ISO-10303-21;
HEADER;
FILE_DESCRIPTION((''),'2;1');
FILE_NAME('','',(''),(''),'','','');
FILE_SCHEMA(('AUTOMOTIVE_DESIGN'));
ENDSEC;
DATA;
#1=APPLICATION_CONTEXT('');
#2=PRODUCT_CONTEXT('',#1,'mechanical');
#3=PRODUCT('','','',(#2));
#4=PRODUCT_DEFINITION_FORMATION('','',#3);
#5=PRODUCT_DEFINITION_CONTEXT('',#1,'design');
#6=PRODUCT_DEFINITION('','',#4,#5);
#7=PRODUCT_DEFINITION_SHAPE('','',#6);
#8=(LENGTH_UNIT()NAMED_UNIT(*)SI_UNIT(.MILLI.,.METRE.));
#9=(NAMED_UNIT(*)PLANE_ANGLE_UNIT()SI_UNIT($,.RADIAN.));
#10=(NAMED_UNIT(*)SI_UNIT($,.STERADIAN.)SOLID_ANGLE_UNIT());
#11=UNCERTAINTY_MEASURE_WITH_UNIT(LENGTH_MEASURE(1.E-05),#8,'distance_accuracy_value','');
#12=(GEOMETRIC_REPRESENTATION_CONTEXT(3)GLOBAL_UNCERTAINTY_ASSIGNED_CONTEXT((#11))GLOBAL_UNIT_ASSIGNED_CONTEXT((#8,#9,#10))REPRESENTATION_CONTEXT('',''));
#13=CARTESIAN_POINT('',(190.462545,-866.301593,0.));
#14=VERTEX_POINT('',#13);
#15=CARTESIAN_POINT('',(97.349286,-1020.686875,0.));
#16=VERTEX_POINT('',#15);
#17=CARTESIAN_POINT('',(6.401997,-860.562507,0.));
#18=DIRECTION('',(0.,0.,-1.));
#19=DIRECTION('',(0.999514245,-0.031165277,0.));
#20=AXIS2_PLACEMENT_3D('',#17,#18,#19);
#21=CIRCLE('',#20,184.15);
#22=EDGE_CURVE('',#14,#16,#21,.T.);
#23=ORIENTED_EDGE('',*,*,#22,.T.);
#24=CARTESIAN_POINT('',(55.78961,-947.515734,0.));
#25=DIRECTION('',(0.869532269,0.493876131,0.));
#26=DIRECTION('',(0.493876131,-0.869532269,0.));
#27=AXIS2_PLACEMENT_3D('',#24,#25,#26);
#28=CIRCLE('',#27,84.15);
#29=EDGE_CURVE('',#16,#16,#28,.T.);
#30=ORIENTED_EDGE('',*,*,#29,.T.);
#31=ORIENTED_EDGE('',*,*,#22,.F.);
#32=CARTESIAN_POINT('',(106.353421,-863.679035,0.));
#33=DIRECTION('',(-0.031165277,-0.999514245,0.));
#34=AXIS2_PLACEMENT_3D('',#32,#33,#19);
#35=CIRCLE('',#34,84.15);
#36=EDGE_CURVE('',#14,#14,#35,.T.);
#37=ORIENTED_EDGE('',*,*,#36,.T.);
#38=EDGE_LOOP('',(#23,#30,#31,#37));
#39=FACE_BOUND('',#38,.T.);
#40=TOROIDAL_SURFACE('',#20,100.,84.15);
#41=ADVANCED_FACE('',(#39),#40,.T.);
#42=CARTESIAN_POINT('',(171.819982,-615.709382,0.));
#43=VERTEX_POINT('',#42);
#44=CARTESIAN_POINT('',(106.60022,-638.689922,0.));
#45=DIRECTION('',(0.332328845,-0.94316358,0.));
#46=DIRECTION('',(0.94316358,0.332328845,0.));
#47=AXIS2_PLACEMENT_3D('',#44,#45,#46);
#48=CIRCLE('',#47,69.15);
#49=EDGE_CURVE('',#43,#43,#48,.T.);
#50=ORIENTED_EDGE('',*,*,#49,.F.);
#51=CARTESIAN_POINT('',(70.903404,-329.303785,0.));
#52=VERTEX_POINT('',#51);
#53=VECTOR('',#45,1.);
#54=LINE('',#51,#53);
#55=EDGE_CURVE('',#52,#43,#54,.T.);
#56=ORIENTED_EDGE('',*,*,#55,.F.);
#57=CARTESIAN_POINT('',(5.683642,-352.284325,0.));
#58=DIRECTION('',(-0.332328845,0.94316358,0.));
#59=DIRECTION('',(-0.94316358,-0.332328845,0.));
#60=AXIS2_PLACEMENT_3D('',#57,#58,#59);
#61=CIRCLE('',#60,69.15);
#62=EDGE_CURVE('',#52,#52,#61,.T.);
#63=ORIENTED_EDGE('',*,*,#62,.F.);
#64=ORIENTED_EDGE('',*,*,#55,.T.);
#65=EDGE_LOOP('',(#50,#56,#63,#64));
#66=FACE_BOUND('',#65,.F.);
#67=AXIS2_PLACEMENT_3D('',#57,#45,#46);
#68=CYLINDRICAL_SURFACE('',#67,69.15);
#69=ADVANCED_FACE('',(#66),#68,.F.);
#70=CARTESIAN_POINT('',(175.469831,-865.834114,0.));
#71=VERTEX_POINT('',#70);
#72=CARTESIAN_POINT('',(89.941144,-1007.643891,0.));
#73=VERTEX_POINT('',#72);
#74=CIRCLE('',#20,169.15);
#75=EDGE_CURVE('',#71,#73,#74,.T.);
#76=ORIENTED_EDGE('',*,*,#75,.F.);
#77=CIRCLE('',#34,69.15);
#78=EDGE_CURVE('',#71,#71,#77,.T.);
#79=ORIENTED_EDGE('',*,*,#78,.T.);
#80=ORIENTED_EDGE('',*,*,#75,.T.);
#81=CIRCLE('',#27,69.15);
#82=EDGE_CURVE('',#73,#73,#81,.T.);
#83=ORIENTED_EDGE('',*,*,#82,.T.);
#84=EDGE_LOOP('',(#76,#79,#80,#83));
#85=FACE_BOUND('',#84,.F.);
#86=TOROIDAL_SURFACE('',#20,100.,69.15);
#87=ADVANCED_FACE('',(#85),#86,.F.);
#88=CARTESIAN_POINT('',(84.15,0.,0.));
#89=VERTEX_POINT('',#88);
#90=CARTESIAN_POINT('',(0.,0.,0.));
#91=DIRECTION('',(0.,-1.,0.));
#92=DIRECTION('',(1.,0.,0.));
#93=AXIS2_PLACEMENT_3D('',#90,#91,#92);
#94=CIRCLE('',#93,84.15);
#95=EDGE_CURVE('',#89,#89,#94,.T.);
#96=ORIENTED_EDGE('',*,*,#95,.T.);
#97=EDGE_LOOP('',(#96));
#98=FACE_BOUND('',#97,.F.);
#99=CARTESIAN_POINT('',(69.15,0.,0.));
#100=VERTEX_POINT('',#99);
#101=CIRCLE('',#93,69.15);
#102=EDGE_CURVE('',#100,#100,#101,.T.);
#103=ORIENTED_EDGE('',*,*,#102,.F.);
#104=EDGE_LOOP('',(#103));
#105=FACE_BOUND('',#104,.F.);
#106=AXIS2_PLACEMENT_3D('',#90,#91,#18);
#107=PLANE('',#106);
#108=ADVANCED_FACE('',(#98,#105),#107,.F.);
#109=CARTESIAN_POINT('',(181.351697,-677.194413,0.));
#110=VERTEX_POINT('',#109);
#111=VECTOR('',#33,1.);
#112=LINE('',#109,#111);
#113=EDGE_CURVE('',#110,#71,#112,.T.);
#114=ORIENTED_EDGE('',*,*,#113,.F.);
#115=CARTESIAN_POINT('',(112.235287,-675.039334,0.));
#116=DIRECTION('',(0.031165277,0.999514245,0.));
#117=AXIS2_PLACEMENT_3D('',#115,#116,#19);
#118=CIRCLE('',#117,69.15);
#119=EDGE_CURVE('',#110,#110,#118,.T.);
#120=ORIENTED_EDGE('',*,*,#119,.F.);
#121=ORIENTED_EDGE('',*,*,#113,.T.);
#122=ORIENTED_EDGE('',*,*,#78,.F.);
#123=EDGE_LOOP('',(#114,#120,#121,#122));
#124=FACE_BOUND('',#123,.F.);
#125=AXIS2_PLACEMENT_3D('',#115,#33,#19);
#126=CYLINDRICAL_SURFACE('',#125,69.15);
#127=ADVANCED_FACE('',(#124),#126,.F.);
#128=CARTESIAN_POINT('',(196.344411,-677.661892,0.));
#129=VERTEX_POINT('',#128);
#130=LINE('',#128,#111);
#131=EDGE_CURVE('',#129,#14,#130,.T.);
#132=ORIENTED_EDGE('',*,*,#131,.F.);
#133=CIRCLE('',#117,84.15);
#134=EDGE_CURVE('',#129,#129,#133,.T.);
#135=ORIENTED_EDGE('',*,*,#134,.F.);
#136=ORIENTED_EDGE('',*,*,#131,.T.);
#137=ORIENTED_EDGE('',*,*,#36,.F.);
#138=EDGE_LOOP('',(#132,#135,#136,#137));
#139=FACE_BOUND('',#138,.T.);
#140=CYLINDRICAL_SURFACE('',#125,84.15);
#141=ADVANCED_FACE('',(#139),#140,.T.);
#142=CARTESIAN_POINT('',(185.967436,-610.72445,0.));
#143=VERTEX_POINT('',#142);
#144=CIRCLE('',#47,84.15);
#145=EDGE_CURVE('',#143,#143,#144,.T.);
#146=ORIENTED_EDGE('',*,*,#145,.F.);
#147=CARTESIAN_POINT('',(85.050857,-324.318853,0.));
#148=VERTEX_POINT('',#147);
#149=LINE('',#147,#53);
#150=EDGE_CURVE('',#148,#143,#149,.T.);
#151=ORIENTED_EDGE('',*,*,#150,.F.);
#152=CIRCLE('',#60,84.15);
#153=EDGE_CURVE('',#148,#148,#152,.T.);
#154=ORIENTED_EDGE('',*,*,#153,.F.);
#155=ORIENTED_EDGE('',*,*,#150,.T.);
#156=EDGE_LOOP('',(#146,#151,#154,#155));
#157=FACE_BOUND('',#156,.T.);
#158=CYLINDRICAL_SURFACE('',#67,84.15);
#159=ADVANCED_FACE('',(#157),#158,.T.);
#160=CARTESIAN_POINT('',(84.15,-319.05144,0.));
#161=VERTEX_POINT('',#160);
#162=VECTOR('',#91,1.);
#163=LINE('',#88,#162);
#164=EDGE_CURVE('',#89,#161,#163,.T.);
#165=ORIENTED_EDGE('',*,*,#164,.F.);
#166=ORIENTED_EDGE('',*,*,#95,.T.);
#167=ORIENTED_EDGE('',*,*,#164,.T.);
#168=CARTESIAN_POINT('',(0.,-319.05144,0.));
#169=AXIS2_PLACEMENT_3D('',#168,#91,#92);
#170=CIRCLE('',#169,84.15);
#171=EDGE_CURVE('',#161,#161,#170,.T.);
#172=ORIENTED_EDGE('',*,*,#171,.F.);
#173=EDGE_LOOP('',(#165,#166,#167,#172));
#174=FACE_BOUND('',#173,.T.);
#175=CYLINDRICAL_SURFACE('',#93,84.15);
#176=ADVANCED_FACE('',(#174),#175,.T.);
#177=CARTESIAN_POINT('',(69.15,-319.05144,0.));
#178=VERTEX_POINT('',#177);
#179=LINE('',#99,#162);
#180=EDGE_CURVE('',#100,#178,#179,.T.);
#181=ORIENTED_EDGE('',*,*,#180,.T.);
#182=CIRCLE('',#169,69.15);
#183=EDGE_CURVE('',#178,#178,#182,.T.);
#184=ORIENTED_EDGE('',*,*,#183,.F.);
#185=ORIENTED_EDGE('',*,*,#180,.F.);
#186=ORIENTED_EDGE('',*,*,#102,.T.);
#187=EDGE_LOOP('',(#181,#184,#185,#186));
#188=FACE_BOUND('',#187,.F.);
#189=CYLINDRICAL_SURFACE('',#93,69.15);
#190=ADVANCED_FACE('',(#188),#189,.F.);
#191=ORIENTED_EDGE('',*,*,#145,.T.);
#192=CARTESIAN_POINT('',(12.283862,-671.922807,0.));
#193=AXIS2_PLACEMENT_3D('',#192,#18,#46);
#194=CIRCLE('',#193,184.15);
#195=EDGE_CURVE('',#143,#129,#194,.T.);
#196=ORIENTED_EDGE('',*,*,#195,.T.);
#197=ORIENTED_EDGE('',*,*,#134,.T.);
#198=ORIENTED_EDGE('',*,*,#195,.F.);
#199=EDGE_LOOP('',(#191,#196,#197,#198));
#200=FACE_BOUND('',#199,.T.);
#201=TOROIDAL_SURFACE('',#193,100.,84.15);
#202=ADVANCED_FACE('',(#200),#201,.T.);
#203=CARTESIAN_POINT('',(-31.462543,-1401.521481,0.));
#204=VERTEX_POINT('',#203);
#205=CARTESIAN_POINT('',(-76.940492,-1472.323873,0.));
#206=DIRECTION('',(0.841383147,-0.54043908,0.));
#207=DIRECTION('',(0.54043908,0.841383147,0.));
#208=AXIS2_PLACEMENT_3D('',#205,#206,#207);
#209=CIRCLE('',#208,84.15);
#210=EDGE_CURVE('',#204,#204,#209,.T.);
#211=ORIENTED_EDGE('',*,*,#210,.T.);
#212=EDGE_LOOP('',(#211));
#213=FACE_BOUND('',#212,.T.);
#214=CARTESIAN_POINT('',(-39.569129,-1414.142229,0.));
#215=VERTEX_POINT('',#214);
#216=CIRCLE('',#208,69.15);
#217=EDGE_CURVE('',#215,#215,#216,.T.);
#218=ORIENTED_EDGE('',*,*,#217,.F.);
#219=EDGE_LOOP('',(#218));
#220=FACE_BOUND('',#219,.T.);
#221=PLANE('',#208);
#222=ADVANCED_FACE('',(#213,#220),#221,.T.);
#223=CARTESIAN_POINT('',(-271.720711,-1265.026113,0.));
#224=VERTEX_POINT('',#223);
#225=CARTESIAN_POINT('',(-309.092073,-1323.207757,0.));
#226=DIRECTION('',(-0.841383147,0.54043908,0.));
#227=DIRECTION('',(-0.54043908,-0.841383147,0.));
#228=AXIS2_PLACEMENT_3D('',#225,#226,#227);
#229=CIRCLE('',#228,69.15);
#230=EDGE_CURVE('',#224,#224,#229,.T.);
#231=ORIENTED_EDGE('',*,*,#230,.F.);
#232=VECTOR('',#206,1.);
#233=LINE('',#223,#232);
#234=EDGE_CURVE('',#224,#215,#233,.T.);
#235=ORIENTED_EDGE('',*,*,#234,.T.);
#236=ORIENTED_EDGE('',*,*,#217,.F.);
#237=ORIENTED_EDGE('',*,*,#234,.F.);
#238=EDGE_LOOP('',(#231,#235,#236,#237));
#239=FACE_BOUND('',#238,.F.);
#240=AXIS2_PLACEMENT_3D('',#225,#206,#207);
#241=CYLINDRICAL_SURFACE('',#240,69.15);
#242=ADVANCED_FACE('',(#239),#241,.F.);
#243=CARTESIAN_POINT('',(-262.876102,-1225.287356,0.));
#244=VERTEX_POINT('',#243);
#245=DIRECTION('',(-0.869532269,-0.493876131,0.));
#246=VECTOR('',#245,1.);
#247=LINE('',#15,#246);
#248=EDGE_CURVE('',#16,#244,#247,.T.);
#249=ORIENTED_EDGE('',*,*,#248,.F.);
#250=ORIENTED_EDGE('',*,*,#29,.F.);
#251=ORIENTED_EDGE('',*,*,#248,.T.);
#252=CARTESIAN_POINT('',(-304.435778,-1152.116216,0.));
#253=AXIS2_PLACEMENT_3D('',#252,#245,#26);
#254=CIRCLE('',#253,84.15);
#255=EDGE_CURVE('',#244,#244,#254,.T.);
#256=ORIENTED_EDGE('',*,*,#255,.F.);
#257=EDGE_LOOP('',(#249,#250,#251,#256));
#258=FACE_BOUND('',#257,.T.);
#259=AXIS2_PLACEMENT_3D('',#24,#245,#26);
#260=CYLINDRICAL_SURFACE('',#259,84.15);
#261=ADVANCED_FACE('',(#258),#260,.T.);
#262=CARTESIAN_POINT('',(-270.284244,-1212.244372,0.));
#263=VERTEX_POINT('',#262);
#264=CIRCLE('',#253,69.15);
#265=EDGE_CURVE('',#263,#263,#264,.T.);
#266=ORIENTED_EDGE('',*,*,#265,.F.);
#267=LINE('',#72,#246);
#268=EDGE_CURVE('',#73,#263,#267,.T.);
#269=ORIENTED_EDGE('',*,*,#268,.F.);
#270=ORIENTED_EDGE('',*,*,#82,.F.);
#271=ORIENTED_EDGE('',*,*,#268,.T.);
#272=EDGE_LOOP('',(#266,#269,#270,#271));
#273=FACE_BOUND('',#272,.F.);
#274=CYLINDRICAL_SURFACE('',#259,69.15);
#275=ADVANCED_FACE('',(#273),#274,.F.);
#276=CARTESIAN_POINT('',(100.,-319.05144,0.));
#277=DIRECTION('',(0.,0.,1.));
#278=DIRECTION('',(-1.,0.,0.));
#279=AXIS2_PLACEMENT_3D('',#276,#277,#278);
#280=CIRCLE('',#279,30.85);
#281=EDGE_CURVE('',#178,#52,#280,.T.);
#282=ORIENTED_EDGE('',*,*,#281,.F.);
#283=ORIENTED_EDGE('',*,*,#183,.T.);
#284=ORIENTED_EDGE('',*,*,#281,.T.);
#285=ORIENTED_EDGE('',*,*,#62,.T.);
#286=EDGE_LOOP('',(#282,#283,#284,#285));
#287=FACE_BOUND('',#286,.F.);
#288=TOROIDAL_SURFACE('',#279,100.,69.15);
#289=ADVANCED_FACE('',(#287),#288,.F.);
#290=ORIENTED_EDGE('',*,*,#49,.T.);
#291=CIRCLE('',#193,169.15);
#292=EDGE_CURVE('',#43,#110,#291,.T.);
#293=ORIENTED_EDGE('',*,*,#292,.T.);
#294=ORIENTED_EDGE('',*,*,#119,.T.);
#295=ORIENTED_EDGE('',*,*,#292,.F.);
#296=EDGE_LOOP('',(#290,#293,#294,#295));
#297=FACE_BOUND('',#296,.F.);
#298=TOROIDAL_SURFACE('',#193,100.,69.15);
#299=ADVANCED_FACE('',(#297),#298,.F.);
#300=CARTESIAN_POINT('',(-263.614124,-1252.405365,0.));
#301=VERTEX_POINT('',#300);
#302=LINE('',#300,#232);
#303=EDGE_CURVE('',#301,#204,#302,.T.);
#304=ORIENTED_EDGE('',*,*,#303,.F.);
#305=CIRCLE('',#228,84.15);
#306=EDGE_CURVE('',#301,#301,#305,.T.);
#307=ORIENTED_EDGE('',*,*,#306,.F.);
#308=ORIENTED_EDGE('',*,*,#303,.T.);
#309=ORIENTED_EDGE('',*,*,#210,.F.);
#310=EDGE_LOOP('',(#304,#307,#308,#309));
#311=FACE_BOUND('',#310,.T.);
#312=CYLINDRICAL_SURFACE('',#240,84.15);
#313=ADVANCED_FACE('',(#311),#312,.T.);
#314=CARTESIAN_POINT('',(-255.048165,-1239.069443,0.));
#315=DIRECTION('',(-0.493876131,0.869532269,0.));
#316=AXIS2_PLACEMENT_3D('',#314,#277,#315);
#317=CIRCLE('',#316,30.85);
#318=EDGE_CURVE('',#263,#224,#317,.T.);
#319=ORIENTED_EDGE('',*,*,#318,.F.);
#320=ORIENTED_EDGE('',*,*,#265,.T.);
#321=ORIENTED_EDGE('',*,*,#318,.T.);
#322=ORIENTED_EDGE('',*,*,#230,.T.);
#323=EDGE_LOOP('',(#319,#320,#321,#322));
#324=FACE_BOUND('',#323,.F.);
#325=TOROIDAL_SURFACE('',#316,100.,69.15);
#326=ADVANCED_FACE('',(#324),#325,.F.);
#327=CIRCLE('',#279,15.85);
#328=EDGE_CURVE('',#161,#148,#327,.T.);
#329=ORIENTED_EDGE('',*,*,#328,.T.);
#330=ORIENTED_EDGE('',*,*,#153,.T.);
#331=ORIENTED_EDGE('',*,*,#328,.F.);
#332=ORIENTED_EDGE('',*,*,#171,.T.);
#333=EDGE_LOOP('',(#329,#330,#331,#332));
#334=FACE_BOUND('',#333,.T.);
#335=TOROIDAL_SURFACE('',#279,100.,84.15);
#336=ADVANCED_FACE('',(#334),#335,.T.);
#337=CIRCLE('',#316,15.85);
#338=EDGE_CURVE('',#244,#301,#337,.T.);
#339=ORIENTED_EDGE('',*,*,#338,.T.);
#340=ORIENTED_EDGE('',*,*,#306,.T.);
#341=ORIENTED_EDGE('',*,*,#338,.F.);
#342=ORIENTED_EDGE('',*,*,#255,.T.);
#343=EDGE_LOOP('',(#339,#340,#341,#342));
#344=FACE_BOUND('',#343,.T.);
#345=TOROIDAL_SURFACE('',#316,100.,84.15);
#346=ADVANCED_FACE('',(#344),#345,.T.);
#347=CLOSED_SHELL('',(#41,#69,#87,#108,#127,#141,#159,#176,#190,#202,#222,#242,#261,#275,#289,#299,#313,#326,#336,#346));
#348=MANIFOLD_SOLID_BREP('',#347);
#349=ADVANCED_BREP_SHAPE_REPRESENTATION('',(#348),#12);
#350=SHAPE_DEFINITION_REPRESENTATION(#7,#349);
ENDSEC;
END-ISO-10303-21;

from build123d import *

# Parameters (mm, degrees)
F0_R   = 84.15
F0_R_2 = 69.15


with BuildPart() as f2:
    # F2: sweep along a path in F1
    with BuildLine(Plane.XY) as f2_path:
        Line((0, 0), (0, -319.051440309))
        ThreePointArc((0, -319.051440309), (1.4311514739, -335.90914182), (5.6836420047, -352.2843248437))
        Line((5.6836420047, -352.2843248437), (106.6002204783, -638.6899220781))
        ThreePointArc((106.6002204783, -638.6899220781), (111.1034595724, -656.6033016898), (112.2352869611, -675.0393342948))
        Line((112.2352869611, -675.0393342948), (106.3534213208, -863.6790350566))
        ThreePointArc((106.3534213208, -863.6790350566), (92.0330955699, -912.2085617328), (55.7896099061, -947.5157343181))
        Line((55.7896099061, -947.5157343181), (-304.435778096, -1152.1162155614))
        ThreePointArc((-304.435778096, -1152.1162155614), (-355.0111521662, -1236.3489272417), (-309.0920730299, -1323.2077572513))
        Line((-309.0920730299, -1323.2077572513), (-76.9404915624, -1472.3238733526))
    # F0 (on Front) → F2 (sweep)
    with BuildSketch(Plane.XZ):
        Circle(F0_R)
        Circle(F0_R_2, mode=Mode.SUBTRACT)
    sweep(path=f2_path.line)


solid = f2.part
